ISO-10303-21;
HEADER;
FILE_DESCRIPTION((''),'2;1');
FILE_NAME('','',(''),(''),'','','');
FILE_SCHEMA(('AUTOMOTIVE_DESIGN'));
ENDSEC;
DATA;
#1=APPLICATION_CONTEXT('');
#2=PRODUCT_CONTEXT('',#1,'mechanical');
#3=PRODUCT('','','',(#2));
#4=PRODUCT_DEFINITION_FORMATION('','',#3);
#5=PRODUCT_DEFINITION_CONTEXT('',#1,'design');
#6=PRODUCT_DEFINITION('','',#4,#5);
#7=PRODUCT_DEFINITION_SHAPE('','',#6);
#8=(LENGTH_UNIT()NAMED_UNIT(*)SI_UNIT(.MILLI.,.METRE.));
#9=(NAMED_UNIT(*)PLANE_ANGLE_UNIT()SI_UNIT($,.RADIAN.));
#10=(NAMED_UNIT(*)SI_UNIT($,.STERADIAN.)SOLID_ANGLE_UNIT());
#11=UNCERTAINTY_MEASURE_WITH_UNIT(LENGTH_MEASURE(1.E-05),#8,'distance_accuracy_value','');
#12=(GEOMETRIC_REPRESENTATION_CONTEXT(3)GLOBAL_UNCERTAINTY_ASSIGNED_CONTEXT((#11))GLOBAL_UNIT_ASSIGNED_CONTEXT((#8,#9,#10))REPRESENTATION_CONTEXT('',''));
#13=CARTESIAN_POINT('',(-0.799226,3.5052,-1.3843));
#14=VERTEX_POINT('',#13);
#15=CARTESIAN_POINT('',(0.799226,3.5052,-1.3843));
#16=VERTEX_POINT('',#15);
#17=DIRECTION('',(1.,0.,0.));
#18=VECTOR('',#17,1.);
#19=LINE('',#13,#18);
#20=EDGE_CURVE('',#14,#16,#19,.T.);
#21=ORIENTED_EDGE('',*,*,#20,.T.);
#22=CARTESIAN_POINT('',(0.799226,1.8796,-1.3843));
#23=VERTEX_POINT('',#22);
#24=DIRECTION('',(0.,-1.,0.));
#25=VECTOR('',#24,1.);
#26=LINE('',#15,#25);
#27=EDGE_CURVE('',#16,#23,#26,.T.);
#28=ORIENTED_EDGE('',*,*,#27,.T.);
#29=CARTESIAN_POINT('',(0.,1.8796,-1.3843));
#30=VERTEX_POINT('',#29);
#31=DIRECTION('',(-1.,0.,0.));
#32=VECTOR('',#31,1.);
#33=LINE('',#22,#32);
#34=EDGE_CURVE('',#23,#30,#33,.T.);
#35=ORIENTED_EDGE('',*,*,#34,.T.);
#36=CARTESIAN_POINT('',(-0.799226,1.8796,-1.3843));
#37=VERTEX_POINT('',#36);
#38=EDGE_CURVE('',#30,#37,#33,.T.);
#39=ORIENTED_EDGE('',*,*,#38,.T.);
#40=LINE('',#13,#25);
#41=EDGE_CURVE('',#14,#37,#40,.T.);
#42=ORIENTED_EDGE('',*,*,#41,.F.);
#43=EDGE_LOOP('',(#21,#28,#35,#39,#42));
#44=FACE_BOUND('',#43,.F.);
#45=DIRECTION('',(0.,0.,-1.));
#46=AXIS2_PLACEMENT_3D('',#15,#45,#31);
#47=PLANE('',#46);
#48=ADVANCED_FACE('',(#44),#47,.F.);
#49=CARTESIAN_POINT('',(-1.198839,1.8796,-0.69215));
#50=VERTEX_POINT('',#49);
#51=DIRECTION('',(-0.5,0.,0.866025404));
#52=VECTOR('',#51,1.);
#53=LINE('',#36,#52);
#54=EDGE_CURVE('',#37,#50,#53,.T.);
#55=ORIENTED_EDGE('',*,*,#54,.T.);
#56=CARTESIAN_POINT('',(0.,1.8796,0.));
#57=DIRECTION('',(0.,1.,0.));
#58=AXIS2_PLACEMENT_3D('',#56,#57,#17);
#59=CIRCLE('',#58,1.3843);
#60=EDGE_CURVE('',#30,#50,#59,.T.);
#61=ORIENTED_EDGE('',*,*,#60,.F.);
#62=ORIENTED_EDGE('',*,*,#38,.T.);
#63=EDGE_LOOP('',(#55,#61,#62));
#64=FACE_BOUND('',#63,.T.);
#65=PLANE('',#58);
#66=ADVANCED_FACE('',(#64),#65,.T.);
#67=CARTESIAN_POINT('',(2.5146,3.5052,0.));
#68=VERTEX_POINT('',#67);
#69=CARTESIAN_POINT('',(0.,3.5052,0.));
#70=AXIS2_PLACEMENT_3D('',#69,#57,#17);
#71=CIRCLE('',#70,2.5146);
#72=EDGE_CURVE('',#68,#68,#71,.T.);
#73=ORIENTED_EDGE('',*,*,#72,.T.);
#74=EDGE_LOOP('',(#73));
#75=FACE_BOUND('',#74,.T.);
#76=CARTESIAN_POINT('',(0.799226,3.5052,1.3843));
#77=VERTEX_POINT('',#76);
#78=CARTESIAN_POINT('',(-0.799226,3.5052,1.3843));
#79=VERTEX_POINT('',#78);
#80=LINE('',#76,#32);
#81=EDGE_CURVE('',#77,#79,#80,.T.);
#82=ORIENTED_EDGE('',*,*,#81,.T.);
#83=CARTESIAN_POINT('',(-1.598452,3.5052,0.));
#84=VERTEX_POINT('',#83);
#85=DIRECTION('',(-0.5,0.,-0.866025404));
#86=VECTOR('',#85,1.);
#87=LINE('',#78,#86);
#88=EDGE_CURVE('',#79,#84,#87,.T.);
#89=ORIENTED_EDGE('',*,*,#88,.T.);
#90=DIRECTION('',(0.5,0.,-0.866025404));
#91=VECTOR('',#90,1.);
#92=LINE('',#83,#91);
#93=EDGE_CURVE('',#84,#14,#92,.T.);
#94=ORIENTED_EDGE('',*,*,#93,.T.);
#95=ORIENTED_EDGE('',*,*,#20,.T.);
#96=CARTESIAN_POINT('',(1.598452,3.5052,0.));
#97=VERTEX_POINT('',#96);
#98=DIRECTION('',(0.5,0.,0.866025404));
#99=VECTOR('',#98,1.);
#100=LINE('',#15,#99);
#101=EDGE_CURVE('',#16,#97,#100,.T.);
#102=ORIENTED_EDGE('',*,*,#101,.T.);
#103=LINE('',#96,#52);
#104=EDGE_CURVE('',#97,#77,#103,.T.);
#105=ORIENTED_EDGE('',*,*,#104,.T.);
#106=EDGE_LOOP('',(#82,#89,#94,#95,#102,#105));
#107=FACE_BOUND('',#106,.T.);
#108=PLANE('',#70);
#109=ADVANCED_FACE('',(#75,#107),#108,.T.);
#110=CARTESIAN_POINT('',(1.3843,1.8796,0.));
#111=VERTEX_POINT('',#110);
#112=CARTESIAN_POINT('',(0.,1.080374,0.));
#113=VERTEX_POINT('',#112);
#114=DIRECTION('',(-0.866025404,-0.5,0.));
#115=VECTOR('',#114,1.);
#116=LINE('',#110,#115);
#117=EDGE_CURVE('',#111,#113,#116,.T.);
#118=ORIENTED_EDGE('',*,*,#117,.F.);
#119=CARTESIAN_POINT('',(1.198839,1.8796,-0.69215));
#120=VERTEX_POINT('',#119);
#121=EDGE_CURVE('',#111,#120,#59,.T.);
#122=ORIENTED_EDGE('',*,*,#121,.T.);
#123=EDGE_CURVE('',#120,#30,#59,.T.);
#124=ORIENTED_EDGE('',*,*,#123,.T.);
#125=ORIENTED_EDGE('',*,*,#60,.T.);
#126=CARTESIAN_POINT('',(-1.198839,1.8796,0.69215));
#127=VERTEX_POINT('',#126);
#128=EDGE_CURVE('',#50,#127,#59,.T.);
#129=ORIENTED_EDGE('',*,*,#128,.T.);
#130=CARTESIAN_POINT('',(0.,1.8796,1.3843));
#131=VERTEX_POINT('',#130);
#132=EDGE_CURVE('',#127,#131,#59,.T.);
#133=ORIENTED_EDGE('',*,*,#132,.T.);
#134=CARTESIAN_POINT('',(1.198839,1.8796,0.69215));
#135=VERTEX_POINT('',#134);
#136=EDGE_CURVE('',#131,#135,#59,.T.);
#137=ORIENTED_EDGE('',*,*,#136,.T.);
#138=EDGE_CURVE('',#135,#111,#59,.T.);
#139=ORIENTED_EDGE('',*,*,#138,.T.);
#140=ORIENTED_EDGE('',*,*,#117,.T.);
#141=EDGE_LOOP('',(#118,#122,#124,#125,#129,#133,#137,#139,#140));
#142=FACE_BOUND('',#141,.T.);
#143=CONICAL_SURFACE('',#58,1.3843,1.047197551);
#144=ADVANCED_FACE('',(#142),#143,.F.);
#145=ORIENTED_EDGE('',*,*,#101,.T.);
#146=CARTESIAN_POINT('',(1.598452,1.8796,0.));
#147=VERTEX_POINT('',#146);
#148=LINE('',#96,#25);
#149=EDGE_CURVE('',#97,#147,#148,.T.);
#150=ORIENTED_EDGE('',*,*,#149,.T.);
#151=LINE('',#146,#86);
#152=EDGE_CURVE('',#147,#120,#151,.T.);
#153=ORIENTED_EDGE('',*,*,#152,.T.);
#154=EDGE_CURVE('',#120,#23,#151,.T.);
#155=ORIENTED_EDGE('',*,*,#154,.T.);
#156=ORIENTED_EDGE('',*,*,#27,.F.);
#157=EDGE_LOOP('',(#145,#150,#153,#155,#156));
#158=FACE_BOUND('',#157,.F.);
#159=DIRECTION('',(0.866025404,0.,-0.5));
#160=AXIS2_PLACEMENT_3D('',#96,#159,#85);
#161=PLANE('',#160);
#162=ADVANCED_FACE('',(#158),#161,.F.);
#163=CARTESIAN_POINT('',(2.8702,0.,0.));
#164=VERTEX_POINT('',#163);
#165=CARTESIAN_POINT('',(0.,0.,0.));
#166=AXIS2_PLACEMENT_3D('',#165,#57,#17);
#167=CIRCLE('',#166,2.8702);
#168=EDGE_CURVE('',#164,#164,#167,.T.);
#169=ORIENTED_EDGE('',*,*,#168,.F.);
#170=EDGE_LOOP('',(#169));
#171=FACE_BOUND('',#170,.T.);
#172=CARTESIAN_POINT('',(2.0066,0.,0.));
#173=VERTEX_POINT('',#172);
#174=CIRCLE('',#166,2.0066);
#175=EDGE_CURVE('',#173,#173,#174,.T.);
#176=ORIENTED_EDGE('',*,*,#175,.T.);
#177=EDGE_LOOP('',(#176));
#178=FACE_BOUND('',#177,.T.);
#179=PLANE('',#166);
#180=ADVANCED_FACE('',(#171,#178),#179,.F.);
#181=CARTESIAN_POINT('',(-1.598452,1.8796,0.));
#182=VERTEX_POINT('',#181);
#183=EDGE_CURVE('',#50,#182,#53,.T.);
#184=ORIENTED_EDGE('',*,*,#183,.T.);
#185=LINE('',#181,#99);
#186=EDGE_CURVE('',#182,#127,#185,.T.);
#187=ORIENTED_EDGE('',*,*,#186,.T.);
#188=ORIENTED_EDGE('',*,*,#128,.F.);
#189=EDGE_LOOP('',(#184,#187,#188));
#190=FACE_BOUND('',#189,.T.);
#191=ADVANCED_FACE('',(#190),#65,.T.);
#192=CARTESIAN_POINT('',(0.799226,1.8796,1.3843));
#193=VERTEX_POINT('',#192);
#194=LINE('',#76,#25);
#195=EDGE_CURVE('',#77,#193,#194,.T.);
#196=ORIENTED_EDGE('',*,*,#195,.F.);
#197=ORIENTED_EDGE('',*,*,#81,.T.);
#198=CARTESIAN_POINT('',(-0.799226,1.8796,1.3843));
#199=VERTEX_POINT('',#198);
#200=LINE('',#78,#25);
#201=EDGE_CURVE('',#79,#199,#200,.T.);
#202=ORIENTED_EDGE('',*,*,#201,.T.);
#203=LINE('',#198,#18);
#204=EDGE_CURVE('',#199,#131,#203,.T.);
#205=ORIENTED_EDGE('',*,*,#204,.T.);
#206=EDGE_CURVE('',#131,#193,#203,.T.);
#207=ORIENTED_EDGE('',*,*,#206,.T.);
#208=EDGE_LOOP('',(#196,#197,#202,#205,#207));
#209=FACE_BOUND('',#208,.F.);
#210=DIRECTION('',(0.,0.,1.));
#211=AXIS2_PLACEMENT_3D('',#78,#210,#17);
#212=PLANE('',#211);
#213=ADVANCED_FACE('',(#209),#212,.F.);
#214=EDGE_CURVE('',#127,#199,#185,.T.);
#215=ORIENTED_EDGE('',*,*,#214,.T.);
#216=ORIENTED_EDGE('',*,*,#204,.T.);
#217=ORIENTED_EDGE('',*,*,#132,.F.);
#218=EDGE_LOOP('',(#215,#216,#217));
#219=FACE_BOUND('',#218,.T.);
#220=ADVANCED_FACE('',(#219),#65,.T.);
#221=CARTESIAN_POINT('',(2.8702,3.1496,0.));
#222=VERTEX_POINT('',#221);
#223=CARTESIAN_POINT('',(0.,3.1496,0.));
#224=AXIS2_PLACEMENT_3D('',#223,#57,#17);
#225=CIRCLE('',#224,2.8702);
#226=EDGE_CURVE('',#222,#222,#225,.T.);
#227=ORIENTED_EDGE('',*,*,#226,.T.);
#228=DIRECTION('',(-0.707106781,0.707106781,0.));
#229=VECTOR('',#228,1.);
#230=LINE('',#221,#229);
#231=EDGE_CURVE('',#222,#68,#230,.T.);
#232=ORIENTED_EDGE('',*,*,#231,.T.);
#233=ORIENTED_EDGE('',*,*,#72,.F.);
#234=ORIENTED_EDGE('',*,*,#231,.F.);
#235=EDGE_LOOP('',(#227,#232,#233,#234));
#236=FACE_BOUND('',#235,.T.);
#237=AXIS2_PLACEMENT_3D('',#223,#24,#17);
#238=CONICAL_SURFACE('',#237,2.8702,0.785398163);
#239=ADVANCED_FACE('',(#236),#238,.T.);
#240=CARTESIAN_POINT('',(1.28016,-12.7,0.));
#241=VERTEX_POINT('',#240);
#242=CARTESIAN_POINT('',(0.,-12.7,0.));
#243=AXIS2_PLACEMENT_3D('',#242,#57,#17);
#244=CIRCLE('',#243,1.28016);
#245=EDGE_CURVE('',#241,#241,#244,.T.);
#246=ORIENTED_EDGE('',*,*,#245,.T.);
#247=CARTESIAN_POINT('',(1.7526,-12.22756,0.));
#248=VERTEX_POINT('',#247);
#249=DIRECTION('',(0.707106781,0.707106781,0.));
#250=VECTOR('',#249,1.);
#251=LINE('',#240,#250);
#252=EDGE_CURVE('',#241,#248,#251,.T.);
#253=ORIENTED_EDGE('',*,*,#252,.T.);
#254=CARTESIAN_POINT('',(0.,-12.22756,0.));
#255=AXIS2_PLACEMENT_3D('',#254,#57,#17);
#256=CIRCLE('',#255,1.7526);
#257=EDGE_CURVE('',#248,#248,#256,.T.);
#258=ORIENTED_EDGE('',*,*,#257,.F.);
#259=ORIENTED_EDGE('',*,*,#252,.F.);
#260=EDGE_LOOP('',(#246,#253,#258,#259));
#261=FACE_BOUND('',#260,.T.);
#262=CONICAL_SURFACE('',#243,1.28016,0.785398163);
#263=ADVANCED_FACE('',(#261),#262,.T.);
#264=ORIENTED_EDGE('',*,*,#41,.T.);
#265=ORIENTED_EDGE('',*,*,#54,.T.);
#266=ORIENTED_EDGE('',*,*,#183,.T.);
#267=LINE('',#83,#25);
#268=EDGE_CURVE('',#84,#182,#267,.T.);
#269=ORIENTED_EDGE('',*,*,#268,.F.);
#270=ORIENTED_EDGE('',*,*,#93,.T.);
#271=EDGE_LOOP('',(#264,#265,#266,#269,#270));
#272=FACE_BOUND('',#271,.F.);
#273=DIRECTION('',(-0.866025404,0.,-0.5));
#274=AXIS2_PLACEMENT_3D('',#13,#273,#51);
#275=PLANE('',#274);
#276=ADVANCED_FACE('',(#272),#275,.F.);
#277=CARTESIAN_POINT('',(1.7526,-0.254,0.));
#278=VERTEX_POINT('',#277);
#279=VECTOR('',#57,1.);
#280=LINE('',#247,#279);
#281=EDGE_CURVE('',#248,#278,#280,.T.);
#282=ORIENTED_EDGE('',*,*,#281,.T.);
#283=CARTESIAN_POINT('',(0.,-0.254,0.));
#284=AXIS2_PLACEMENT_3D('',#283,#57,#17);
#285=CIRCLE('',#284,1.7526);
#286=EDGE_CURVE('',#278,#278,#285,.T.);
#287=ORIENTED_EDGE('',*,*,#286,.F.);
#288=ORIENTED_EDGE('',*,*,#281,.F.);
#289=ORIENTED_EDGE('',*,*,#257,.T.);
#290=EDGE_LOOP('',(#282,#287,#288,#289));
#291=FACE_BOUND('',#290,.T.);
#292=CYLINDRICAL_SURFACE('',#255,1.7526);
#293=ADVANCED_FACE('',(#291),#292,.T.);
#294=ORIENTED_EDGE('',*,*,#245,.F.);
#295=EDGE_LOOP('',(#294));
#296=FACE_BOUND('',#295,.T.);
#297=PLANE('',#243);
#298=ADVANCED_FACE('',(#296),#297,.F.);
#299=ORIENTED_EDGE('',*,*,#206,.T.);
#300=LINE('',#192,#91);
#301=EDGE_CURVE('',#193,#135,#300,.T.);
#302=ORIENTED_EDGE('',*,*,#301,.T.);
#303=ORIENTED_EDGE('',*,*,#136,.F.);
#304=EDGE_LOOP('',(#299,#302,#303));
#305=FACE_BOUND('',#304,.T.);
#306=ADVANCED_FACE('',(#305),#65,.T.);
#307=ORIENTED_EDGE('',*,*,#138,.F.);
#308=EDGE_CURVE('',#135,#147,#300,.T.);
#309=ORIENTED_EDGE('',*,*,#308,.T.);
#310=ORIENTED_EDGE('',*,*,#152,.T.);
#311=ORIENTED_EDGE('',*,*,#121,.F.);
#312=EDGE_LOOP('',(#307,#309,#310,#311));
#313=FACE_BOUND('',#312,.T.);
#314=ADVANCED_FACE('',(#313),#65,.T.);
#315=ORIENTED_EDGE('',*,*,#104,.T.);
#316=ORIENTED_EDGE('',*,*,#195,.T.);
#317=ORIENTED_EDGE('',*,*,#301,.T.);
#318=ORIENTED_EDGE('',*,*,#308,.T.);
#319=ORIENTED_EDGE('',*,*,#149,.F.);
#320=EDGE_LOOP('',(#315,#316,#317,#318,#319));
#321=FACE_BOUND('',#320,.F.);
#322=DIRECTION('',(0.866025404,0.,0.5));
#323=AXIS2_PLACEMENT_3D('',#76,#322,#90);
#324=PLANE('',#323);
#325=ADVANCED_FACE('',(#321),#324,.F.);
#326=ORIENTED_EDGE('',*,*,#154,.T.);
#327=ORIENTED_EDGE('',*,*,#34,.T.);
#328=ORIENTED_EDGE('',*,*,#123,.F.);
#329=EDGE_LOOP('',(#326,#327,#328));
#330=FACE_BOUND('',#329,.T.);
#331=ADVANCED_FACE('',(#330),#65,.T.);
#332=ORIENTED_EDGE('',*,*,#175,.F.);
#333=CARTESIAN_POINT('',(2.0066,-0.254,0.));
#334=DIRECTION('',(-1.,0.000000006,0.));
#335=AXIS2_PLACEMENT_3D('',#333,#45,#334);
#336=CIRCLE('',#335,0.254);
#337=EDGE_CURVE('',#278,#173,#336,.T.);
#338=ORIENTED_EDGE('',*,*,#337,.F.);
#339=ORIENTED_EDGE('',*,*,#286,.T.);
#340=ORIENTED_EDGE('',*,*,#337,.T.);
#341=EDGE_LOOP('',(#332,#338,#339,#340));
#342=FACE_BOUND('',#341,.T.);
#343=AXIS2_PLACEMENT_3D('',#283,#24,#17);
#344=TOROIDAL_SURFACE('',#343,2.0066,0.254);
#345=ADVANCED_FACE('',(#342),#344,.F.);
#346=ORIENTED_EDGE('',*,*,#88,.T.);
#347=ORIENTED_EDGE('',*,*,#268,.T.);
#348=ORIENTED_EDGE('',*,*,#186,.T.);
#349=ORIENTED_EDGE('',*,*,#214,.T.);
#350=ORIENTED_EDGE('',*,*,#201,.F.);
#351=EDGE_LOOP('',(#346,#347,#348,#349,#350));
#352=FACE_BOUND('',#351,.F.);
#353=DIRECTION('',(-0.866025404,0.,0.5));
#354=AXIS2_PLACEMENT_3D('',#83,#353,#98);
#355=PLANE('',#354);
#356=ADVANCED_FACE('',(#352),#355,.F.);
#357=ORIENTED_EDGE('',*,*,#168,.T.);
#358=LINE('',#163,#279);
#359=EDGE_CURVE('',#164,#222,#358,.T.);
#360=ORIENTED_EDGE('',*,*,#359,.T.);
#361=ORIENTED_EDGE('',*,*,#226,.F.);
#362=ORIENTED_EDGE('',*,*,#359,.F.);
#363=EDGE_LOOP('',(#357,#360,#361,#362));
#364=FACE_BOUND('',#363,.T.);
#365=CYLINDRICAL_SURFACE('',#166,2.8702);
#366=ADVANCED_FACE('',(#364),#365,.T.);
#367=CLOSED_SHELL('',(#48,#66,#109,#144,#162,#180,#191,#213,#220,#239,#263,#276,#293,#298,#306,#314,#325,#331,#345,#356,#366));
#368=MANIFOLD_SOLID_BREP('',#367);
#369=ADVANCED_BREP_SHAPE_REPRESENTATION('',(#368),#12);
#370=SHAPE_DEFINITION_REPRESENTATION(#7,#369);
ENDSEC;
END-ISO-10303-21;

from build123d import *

# Parameters (mm, degrees)
CUT_EXTRUDE1_DEPTH = 1.6256


with BuildPart() as part:
    # Sketch5 → Revolve2 (revolve)
    with BuildSketch(Plane.XY):
        with BuildLine():
            Line((0, 1.080374022), (0, -12.7))
            Line((0, -12.7), (1.28016, -12.7))
            Line((1.28016, -12.7), (1.7526, -12.22756))
            Line((1.7526, -12.22756), (1.7526, -0.254))
            ThreePointArc((1.7526, -0.254), (1.826994878, -0.074394878), (2.0066, 0))
            Line((2.0066, 0), (2.8702, 0))
            Line((2.8702, 0), (2.8702, 3.1496))
            Line((2.8702, 3.1496), (2.5146, 3.5052))
            Line((2.5146, 3.5052), (1.3843, 3.5052))
            Line((1.3843, 3.5052), (1.3843, 1.8796))
            Line((1.3843, 1.8796), (0, 1.080374022))
        make_face()
    revolve(axis=Axis((0, 3.5052, 0), (0, 1, 0)))

    # Sketch3 → Cut-Extrude1 (cut)
    with BuildSketch(Plane(origin=(0, 3.5052, 0), x_dir=(1, 0, 0), z_dir=(0, 1, 0))):
        Polygon((-1.598451955, 0), (-0.799225978, -1.3843), (0.799225978, -1.3843), (1.598451955, 0), (0.799225978, 1.3843), (-0.799225978, 1.3843), align=None)
    extrude(amount=-CUT_EXTRUDE1_DEPTH, mode=Mode.SUBTRACT)


solid = part.part
